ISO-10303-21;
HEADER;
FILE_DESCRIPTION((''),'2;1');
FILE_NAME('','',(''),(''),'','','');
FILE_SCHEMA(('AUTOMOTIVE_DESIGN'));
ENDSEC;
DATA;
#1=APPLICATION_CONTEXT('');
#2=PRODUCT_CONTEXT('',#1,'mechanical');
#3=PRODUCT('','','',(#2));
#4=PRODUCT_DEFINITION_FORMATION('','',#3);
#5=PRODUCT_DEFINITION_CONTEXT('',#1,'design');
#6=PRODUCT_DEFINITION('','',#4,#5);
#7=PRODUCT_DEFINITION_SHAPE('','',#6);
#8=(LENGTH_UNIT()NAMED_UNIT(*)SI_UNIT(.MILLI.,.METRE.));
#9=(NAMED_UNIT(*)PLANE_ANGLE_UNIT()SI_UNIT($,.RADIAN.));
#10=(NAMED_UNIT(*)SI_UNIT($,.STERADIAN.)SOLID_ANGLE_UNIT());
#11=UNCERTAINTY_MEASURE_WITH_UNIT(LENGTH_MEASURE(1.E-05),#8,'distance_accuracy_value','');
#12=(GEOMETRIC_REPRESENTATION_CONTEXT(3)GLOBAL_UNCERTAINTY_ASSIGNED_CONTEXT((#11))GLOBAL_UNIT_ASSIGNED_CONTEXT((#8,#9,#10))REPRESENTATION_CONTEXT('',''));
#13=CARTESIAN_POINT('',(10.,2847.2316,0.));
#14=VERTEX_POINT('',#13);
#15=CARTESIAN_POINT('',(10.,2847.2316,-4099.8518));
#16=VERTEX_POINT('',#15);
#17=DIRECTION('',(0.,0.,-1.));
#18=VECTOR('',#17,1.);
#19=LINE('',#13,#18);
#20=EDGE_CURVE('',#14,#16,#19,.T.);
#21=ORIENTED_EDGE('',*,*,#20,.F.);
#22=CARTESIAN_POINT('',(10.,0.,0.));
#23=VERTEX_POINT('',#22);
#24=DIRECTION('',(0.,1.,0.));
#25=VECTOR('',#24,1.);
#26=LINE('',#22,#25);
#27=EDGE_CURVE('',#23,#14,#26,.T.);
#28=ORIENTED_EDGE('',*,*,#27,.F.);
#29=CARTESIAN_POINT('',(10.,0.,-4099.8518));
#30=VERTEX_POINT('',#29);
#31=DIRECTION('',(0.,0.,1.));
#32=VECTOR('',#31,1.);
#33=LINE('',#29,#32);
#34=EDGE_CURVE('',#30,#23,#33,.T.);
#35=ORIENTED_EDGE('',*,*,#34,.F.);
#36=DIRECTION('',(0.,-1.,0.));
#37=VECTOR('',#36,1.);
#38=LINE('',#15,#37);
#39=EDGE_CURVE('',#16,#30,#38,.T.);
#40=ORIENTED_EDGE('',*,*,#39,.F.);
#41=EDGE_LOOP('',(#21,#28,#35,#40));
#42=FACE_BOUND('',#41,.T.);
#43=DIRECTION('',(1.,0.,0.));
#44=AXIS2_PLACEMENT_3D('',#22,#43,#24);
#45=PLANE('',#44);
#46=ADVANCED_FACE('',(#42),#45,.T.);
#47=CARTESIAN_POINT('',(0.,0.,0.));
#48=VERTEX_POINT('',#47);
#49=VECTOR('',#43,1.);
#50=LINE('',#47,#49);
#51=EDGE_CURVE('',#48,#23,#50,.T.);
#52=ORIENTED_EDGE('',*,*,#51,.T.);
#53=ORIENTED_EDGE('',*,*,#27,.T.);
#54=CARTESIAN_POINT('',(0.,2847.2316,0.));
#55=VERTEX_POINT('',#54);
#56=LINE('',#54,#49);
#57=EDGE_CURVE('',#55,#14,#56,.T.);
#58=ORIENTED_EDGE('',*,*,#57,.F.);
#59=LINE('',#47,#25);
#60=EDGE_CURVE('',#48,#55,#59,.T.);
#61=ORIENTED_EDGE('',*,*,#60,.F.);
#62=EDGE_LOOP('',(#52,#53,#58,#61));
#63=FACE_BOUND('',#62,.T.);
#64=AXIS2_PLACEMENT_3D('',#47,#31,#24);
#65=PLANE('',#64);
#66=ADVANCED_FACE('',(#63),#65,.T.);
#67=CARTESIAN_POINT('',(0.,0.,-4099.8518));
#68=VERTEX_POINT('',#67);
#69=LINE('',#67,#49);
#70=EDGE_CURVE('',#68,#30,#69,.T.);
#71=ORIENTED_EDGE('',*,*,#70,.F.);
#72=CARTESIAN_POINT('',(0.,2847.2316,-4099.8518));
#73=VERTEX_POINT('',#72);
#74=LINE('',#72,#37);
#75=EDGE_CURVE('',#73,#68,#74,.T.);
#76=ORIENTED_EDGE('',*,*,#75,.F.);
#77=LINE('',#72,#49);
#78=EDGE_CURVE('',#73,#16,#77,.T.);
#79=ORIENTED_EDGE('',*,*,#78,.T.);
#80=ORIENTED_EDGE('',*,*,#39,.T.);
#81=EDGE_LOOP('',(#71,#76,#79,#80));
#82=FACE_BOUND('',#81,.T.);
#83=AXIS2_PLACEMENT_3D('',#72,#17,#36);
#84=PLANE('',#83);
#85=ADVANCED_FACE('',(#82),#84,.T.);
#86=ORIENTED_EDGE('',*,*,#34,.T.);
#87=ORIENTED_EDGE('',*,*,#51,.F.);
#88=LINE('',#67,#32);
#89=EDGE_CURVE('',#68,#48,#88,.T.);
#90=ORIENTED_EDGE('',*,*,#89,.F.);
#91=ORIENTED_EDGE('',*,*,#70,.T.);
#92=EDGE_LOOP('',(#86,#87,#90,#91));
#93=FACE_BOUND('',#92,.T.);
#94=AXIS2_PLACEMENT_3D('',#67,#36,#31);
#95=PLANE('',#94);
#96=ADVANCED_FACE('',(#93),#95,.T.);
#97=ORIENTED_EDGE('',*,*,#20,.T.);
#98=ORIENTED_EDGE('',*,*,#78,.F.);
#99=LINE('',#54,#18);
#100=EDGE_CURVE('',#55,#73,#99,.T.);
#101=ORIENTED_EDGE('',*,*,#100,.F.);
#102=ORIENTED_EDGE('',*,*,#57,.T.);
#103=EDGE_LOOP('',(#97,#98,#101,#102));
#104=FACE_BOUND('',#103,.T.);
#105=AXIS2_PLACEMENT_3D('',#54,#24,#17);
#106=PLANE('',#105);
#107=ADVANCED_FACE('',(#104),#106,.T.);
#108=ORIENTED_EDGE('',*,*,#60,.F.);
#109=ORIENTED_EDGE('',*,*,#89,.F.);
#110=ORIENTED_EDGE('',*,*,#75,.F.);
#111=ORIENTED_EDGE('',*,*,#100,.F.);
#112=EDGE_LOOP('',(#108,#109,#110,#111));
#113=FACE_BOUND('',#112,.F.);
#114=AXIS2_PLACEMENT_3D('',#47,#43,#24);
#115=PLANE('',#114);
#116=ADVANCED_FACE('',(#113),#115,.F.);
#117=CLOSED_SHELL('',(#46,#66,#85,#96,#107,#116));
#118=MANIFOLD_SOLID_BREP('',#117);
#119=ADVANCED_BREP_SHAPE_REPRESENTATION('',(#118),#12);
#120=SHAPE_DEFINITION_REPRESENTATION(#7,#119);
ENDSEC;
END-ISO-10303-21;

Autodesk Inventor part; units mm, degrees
ref_plane "YZ Plane" through (0, 0, 0) normal (1, 0, 0) x (0, 1, 0)
ref_plane "XZ Plane" through (0, 0, 0) normal (0, 1, 0) x (-1, 0, 0)
ref_plane "XY Plane" through (0, 0, 0) normal (0, 0, 1) x (1, 0, 0)
sketch "スケッチ1" plane through (0, 0, 0) normal (1, 0, 0) x (0, 1, 0)
  line L0 (0, 0) -> (2847.2316, 0)
  line L1 (2847.2316, 0) -> (2847.2316, -4099.8518)
  line L2 (2847.2316, -4099.8518) -> (0, -4099.8518)
  line L3 (0, -4099.8518) -> (0, 0)
extrude "押し出し1" add sketch "スケッチ1" along normal blind 10
sketch "スケッチ4" plane through (0, 0, 0) normal (-1, 0, 0) x (0, 0, 1)
  line L0 (-2312.9612, 1659.4013) -> (-2006.8226, 1659.4013) construction
  line L1 (-2006.8226, 1659.4013) -> (-2006.8226, 1225.8968) construction
  line L2 (-2006.8226, 1225.8968) -> (-2312.9612, 1225.8968) construction
  line L3 (-2312.9612, 1225.8968) -> (-2312.9612, 1659.4013) construction
  point P0 (0, 0)
decal "デカール2"
properties part number "floar"
